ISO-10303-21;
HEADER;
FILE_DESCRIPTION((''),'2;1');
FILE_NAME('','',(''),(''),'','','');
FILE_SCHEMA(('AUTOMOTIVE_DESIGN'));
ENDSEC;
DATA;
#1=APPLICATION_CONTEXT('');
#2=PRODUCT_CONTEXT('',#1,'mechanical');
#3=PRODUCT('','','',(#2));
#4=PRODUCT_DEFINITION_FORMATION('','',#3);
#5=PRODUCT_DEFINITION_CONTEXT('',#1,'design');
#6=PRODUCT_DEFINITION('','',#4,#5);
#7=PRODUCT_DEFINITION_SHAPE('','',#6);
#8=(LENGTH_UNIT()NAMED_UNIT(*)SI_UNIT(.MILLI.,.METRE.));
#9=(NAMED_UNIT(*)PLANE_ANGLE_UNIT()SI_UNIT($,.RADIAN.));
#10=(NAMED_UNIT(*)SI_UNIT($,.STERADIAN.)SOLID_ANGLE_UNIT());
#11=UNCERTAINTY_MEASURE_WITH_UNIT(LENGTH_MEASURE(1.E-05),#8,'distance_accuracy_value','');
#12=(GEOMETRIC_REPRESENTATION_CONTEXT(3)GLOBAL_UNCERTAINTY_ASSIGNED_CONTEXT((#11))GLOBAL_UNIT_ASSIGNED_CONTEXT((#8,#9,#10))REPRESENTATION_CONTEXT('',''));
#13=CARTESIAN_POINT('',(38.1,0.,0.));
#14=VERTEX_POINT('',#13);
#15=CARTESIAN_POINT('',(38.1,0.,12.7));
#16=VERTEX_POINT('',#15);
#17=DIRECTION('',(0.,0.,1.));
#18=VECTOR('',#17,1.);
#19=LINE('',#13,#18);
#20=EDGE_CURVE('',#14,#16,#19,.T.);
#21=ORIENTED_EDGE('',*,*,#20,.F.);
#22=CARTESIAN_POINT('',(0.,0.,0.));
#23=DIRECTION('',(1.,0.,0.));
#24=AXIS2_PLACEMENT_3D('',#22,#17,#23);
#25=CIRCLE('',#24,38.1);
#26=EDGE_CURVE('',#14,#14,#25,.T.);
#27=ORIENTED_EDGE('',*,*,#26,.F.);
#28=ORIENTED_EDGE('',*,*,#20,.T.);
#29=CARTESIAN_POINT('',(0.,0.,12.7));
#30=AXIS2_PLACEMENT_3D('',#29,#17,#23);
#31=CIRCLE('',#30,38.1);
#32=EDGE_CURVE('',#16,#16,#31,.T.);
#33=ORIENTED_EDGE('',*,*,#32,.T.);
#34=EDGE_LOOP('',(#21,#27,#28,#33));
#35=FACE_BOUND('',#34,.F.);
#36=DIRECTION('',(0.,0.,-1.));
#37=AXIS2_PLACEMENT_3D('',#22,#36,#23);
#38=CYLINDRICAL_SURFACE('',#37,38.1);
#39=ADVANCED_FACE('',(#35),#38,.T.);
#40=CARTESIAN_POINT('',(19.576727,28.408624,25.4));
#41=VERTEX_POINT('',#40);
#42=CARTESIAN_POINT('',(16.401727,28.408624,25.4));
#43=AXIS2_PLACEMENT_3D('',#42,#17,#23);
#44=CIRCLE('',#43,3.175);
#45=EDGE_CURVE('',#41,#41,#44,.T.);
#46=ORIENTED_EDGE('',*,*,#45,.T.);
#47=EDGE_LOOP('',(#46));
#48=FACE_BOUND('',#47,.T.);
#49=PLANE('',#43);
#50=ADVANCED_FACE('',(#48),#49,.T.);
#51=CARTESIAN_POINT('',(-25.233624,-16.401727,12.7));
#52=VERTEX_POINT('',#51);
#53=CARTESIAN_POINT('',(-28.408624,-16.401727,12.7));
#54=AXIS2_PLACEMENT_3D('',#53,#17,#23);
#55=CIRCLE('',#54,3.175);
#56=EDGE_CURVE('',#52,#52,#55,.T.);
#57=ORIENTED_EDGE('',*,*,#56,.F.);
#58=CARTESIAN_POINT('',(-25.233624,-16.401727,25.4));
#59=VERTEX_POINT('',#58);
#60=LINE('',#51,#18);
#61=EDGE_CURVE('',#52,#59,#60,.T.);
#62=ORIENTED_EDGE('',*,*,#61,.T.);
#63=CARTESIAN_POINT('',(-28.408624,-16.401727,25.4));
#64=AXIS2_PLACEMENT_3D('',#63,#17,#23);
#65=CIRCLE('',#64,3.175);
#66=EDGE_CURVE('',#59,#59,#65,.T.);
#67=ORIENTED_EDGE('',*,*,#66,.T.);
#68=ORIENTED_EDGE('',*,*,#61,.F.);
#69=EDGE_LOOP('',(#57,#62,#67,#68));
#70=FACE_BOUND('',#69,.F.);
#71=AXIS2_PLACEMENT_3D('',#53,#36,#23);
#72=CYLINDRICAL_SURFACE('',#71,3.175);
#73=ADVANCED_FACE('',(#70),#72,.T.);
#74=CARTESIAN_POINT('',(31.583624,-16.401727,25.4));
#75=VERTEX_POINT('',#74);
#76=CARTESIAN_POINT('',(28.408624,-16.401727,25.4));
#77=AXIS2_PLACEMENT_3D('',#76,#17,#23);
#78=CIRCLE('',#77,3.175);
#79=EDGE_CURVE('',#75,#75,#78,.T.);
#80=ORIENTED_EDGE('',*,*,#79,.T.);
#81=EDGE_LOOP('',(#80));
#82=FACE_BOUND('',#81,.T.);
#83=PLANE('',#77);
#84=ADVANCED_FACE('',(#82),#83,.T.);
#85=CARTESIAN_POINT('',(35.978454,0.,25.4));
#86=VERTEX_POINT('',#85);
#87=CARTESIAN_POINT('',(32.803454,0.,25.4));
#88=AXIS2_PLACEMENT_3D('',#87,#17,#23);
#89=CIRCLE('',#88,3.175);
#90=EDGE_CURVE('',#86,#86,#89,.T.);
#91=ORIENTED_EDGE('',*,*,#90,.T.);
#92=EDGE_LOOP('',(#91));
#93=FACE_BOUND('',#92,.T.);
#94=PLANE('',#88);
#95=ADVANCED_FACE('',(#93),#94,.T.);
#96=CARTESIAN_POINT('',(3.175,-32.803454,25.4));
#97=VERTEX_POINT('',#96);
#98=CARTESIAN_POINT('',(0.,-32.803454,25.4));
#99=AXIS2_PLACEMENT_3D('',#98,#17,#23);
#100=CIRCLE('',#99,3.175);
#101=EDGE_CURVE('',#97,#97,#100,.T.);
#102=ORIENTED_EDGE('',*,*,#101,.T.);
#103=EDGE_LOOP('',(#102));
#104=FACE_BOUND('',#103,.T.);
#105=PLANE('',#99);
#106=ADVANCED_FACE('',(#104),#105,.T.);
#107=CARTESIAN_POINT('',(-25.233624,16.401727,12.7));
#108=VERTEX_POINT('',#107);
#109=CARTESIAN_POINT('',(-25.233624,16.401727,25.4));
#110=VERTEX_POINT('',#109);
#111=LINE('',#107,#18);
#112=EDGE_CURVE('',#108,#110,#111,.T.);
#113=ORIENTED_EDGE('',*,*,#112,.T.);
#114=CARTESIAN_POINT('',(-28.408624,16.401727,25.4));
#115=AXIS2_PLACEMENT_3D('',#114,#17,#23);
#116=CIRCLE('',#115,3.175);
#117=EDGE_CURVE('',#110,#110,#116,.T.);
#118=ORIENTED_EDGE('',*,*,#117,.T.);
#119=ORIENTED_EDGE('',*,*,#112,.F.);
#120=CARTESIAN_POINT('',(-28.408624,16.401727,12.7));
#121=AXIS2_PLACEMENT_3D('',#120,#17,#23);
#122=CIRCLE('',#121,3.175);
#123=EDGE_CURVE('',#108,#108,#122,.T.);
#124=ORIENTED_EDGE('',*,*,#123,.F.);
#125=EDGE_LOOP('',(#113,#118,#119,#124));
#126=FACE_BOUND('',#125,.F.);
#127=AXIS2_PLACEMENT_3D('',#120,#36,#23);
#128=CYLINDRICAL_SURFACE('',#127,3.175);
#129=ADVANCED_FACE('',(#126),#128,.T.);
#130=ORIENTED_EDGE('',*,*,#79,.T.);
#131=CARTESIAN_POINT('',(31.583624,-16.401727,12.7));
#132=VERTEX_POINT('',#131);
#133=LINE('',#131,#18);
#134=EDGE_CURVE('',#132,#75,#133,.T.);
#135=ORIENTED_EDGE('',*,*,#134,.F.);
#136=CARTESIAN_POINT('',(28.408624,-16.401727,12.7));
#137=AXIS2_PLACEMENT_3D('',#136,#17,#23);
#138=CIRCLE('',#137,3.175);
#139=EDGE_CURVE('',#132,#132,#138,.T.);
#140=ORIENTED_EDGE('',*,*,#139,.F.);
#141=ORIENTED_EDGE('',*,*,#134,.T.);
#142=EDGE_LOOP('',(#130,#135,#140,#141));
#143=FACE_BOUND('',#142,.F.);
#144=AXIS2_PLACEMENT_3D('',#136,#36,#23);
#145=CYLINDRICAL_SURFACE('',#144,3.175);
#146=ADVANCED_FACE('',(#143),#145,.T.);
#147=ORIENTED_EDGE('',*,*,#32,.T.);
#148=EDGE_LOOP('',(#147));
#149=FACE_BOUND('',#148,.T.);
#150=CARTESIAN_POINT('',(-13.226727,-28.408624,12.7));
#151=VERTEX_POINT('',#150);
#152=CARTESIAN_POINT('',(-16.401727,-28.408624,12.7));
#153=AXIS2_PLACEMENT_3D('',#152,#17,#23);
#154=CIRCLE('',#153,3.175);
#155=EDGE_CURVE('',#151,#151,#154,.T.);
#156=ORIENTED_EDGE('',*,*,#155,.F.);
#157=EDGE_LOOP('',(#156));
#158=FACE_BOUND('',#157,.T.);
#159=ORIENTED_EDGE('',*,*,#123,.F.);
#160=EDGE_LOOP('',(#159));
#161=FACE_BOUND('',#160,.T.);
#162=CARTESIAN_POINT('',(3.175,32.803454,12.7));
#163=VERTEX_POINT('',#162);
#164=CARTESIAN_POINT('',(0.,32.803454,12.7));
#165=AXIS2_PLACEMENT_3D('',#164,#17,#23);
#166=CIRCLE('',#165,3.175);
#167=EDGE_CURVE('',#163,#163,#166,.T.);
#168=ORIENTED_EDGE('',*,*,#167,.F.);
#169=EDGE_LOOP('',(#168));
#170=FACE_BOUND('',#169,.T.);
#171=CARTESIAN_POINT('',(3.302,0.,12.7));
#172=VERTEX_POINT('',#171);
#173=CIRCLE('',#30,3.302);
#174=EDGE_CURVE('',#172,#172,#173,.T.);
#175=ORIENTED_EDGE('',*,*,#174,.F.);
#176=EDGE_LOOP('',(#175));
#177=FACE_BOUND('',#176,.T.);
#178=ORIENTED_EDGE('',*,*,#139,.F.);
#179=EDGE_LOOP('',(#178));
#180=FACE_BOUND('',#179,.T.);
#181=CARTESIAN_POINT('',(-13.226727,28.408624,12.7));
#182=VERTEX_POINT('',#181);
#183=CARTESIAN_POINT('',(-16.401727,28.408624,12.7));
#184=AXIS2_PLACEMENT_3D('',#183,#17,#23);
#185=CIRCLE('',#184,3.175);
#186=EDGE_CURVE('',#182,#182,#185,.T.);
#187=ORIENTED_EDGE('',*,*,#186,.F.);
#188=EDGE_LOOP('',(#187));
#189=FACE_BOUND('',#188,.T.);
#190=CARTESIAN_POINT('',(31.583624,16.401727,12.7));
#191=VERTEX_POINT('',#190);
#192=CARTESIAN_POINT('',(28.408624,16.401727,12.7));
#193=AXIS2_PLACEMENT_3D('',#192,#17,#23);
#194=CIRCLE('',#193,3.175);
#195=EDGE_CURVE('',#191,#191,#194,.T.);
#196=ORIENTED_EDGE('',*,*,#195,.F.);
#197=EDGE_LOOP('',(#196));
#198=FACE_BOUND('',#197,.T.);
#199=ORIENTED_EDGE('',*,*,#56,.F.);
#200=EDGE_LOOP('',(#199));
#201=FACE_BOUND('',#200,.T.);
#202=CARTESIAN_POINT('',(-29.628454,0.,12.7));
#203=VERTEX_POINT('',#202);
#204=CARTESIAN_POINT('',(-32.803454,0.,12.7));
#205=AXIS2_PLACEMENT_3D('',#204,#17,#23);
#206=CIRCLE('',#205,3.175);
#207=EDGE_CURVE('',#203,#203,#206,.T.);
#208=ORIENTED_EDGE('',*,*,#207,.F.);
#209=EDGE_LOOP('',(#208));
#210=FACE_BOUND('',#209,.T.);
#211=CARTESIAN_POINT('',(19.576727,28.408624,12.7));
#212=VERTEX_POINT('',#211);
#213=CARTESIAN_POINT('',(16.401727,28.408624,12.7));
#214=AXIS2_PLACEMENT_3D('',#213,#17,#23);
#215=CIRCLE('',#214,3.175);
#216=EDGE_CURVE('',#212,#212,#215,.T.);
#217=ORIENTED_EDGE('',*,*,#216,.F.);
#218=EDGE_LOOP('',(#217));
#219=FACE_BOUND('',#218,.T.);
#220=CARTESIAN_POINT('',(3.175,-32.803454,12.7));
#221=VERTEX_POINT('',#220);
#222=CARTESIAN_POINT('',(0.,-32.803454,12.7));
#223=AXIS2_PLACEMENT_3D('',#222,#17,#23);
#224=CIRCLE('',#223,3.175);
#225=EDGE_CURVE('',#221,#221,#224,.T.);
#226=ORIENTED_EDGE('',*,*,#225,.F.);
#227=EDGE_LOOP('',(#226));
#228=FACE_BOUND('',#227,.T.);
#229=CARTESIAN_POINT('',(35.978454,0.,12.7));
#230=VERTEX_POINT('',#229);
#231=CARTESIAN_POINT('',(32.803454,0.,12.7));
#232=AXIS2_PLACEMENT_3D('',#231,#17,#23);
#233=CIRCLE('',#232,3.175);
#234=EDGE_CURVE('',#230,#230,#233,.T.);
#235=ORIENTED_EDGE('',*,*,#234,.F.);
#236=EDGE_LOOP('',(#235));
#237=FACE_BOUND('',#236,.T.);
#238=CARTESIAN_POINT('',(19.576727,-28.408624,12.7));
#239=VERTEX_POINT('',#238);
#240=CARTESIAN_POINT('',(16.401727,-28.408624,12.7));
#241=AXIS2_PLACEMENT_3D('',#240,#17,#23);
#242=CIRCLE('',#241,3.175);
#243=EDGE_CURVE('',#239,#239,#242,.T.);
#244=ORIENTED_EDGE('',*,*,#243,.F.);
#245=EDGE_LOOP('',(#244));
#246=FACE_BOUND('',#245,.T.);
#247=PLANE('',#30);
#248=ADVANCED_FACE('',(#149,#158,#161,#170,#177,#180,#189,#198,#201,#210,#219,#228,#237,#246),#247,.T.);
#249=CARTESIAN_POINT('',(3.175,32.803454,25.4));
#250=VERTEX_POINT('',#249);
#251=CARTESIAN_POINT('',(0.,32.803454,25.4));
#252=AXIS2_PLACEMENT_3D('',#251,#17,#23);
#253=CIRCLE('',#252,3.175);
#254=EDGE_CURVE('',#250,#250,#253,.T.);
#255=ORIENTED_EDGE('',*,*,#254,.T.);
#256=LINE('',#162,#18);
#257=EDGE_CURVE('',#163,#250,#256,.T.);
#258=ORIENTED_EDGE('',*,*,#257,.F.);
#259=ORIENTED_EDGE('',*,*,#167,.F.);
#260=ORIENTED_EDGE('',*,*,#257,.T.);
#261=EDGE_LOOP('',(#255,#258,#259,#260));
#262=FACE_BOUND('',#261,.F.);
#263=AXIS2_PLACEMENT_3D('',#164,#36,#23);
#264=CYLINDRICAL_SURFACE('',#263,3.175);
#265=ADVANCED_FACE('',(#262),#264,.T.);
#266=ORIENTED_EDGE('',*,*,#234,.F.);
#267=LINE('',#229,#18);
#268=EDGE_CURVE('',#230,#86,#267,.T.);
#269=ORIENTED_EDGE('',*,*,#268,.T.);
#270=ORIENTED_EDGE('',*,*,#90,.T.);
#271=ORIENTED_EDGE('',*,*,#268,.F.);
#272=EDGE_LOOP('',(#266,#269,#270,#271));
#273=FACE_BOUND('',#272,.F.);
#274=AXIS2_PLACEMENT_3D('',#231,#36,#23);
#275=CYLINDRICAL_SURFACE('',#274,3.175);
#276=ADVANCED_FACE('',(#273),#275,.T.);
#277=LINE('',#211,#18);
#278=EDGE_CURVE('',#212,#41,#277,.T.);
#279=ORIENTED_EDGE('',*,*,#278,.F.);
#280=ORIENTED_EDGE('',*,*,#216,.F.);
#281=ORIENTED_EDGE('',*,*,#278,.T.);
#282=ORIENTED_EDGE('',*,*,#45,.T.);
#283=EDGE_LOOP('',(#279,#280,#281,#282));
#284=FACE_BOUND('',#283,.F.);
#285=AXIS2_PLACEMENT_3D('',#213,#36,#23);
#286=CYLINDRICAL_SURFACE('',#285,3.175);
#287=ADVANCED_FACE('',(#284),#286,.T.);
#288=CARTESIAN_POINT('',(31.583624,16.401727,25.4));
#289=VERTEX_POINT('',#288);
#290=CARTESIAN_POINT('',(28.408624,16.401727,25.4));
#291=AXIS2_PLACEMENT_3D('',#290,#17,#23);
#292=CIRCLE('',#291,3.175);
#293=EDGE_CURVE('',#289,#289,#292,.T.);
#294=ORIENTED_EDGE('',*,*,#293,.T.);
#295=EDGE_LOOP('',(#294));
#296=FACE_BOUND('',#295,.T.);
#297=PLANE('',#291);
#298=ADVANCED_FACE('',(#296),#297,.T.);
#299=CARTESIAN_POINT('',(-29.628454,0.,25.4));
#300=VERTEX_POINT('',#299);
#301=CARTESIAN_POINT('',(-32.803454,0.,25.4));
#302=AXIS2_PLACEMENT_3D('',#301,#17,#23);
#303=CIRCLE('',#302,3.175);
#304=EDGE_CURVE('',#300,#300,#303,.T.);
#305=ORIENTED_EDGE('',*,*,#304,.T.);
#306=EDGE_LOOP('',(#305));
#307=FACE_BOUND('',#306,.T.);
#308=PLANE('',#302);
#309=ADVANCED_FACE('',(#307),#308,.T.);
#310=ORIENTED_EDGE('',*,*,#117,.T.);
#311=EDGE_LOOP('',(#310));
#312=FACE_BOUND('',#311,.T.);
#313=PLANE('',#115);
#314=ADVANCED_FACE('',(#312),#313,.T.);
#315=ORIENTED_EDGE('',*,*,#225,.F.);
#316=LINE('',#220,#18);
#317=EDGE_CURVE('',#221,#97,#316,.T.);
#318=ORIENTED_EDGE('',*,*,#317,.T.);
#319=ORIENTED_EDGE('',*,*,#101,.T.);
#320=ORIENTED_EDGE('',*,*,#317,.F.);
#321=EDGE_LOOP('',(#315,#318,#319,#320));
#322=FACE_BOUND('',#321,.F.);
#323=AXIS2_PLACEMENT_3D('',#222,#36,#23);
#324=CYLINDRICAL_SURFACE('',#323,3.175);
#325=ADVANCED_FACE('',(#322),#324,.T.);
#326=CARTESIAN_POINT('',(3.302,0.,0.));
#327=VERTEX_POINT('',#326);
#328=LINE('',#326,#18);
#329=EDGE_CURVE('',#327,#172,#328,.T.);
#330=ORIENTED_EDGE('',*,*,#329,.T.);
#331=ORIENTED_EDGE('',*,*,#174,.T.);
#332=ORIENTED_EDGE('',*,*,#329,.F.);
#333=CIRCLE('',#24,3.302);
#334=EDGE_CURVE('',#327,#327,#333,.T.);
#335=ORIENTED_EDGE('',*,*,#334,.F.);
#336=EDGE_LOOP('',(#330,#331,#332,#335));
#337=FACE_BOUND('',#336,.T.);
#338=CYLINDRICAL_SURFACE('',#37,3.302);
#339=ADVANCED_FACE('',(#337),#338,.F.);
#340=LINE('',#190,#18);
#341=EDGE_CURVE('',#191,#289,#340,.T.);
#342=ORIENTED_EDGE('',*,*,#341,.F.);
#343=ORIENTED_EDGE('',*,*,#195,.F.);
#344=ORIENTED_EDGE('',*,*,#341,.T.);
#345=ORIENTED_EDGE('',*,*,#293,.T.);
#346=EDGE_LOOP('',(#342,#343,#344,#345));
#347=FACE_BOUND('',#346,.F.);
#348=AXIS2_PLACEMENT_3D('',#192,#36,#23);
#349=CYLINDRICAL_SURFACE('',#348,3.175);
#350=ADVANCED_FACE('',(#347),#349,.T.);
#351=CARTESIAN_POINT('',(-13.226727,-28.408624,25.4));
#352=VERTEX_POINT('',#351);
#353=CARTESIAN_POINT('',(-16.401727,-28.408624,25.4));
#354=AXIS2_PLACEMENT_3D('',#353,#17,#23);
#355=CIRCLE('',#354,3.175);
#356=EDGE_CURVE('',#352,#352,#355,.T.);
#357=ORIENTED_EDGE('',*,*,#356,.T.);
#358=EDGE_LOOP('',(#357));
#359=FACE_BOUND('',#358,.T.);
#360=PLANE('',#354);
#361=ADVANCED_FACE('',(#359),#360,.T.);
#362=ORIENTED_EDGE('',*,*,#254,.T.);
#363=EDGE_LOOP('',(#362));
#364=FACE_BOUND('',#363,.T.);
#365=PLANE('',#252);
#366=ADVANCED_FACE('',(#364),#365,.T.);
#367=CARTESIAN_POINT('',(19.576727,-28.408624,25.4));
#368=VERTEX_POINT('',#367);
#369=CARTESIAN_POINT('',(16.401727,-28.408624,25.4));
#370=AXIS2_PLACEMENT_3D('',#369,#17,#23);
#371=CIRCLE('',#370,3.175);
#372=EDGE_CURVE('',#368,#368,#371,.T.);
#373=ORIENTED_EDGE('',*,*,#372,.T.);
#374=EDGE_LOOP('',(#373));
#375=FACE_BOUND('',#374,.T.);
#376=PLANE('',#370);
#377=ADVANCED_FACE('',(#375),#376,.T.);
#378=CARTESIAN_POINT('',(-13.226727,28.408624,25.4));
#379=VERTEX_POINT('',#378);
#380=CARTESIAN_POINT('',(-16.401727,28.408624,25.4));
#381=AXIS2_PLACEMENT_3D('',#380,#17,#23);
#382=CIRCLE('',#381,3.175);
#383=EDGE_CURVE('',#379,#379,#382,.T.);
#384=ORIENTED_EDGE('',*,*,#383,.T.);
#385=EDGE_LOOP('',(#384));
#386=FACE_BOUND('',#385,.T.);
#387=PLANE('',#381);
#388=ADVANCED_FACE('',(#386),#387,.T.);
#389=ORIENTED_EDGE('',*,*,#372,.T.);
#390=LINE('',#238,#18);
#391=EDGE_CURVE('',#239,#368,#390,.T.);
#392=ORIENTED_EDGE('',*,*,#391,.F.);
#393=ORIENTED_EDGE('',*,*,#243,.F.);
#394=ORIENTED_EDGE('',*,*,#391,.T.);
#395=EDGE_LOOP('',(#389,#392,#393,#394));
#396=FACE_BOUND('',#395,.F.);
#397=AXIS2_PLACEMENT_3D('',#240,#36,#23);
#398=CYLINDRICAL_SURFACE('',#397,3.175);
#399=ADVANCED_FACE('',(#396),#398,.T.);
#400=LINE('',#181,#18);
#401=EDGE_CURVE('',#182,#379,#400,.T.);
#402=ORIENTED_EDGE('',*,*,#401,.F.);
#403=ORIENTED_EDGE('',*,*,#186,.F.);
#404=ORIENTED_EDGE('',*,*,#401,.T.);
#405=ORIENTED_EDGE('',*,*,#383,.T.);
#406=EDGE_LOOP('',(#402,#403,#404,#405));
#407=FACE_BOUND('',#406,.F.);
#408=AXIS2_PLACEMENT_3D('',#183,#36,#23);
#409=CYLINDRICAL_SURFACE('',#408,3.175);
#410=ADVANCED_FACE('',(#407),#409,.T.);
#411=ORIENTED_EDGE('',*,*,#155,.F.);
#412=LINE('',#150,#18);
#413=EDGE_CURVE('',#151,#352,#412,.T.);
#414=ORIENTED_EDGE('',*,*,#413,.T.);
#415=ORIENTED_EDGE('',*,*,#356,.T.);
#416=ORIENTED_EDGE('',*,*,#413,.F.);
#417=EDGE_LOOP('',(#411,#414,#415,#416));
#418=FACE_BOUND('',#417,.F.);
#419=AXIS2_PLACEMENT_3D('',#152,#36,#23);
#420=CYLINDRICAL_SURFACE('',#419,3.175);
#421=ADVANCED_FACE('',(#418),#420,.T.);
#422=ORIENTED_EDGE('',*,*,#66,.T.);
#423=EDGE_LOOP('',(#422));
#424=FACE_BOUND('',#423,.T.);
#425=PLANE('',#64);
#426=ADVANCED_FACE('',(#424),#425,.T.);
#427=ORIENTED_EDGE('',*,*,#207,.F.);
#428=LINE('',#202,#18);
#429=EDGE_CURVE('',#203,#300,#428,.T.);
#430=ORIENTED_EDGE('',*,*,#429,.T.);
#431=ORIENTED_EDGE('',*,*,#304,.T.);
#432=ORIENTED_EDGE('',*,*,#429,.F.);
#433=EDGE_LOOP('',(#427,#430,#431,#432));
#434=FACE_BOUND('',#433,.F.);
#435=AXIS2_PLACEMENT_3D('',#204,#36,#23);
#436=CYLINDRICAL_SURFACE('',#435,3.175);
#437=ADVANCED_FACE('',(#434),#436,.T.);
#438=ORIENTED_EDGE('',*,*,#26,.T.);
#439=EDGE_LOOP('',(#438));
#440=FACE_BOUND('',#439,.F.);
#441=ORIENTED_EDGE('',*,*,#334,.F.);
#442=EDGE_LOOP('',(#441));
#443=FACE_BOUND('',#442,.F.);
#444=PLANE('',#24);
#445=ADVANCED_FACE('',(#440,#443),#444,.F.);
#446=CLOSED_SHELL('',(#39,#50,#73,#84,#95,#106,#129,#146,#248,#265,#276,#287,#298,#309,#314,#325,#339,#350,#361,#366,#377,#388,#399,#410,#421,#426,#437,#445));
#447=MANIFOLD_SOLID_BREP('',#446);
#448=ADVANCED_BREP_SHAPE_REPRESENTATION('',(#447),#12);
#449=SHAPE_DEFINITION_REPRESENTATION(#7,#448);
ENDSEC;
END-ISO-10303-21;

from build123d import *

# Parameters (mm, degrees)
F0_R     = 38.1
F0_R_2   = 3.302
F1_DEPTH = 12.7
F2_R     = 3.175
F3_DEPTH = 12.7


with BuildPart() as f1:
    # F0 (on Top) → F1 (new body)
    with BuildSketch(Plane.XY):
        Circle(F0_R)
        Circle(F0_R_2, mode=Mode.SUBTRACT)
    extrude(amount=F1_DEPTH)

    # F2 (on face) → F3 (join)
    with BuildSketch(Plane.XY.offset(12.7)):
        with Locations((0, 32.803454)):
            Circle(F2_R)
        with Locations((-16.401727, 28.408624)):
            Circle(F2_R)
        with Locations((-28.408624, 16.401727)):
            Circle(F2_R)
        with Locations((-32.803454, 0)):
            Circle(F2_R)
        with Locations((-28.408624, -16.401727)):
            Circle(F2_R)
        with Locations((-16.401727, -28.408624)):
            Circle(F2_R)
        with Locations((0, -32.803454)):
            Circle(F2_R)
        with Locations((16.401727, -28.408624)):
            Circle(F2_R)
        with Locations((28.408624, -16.401727)):
            Circle(F2_R)
        with Locations((32.803454, 0)):
            Circle(F2_R)
        with Locations((28.408624, 16.401727)):
            Circle(F2_R)
        with Locations((16.401727, 28.408624)):
            Circle(F2_R)
    extrude(amount=F3_DEPTH)


solid = f1.part
